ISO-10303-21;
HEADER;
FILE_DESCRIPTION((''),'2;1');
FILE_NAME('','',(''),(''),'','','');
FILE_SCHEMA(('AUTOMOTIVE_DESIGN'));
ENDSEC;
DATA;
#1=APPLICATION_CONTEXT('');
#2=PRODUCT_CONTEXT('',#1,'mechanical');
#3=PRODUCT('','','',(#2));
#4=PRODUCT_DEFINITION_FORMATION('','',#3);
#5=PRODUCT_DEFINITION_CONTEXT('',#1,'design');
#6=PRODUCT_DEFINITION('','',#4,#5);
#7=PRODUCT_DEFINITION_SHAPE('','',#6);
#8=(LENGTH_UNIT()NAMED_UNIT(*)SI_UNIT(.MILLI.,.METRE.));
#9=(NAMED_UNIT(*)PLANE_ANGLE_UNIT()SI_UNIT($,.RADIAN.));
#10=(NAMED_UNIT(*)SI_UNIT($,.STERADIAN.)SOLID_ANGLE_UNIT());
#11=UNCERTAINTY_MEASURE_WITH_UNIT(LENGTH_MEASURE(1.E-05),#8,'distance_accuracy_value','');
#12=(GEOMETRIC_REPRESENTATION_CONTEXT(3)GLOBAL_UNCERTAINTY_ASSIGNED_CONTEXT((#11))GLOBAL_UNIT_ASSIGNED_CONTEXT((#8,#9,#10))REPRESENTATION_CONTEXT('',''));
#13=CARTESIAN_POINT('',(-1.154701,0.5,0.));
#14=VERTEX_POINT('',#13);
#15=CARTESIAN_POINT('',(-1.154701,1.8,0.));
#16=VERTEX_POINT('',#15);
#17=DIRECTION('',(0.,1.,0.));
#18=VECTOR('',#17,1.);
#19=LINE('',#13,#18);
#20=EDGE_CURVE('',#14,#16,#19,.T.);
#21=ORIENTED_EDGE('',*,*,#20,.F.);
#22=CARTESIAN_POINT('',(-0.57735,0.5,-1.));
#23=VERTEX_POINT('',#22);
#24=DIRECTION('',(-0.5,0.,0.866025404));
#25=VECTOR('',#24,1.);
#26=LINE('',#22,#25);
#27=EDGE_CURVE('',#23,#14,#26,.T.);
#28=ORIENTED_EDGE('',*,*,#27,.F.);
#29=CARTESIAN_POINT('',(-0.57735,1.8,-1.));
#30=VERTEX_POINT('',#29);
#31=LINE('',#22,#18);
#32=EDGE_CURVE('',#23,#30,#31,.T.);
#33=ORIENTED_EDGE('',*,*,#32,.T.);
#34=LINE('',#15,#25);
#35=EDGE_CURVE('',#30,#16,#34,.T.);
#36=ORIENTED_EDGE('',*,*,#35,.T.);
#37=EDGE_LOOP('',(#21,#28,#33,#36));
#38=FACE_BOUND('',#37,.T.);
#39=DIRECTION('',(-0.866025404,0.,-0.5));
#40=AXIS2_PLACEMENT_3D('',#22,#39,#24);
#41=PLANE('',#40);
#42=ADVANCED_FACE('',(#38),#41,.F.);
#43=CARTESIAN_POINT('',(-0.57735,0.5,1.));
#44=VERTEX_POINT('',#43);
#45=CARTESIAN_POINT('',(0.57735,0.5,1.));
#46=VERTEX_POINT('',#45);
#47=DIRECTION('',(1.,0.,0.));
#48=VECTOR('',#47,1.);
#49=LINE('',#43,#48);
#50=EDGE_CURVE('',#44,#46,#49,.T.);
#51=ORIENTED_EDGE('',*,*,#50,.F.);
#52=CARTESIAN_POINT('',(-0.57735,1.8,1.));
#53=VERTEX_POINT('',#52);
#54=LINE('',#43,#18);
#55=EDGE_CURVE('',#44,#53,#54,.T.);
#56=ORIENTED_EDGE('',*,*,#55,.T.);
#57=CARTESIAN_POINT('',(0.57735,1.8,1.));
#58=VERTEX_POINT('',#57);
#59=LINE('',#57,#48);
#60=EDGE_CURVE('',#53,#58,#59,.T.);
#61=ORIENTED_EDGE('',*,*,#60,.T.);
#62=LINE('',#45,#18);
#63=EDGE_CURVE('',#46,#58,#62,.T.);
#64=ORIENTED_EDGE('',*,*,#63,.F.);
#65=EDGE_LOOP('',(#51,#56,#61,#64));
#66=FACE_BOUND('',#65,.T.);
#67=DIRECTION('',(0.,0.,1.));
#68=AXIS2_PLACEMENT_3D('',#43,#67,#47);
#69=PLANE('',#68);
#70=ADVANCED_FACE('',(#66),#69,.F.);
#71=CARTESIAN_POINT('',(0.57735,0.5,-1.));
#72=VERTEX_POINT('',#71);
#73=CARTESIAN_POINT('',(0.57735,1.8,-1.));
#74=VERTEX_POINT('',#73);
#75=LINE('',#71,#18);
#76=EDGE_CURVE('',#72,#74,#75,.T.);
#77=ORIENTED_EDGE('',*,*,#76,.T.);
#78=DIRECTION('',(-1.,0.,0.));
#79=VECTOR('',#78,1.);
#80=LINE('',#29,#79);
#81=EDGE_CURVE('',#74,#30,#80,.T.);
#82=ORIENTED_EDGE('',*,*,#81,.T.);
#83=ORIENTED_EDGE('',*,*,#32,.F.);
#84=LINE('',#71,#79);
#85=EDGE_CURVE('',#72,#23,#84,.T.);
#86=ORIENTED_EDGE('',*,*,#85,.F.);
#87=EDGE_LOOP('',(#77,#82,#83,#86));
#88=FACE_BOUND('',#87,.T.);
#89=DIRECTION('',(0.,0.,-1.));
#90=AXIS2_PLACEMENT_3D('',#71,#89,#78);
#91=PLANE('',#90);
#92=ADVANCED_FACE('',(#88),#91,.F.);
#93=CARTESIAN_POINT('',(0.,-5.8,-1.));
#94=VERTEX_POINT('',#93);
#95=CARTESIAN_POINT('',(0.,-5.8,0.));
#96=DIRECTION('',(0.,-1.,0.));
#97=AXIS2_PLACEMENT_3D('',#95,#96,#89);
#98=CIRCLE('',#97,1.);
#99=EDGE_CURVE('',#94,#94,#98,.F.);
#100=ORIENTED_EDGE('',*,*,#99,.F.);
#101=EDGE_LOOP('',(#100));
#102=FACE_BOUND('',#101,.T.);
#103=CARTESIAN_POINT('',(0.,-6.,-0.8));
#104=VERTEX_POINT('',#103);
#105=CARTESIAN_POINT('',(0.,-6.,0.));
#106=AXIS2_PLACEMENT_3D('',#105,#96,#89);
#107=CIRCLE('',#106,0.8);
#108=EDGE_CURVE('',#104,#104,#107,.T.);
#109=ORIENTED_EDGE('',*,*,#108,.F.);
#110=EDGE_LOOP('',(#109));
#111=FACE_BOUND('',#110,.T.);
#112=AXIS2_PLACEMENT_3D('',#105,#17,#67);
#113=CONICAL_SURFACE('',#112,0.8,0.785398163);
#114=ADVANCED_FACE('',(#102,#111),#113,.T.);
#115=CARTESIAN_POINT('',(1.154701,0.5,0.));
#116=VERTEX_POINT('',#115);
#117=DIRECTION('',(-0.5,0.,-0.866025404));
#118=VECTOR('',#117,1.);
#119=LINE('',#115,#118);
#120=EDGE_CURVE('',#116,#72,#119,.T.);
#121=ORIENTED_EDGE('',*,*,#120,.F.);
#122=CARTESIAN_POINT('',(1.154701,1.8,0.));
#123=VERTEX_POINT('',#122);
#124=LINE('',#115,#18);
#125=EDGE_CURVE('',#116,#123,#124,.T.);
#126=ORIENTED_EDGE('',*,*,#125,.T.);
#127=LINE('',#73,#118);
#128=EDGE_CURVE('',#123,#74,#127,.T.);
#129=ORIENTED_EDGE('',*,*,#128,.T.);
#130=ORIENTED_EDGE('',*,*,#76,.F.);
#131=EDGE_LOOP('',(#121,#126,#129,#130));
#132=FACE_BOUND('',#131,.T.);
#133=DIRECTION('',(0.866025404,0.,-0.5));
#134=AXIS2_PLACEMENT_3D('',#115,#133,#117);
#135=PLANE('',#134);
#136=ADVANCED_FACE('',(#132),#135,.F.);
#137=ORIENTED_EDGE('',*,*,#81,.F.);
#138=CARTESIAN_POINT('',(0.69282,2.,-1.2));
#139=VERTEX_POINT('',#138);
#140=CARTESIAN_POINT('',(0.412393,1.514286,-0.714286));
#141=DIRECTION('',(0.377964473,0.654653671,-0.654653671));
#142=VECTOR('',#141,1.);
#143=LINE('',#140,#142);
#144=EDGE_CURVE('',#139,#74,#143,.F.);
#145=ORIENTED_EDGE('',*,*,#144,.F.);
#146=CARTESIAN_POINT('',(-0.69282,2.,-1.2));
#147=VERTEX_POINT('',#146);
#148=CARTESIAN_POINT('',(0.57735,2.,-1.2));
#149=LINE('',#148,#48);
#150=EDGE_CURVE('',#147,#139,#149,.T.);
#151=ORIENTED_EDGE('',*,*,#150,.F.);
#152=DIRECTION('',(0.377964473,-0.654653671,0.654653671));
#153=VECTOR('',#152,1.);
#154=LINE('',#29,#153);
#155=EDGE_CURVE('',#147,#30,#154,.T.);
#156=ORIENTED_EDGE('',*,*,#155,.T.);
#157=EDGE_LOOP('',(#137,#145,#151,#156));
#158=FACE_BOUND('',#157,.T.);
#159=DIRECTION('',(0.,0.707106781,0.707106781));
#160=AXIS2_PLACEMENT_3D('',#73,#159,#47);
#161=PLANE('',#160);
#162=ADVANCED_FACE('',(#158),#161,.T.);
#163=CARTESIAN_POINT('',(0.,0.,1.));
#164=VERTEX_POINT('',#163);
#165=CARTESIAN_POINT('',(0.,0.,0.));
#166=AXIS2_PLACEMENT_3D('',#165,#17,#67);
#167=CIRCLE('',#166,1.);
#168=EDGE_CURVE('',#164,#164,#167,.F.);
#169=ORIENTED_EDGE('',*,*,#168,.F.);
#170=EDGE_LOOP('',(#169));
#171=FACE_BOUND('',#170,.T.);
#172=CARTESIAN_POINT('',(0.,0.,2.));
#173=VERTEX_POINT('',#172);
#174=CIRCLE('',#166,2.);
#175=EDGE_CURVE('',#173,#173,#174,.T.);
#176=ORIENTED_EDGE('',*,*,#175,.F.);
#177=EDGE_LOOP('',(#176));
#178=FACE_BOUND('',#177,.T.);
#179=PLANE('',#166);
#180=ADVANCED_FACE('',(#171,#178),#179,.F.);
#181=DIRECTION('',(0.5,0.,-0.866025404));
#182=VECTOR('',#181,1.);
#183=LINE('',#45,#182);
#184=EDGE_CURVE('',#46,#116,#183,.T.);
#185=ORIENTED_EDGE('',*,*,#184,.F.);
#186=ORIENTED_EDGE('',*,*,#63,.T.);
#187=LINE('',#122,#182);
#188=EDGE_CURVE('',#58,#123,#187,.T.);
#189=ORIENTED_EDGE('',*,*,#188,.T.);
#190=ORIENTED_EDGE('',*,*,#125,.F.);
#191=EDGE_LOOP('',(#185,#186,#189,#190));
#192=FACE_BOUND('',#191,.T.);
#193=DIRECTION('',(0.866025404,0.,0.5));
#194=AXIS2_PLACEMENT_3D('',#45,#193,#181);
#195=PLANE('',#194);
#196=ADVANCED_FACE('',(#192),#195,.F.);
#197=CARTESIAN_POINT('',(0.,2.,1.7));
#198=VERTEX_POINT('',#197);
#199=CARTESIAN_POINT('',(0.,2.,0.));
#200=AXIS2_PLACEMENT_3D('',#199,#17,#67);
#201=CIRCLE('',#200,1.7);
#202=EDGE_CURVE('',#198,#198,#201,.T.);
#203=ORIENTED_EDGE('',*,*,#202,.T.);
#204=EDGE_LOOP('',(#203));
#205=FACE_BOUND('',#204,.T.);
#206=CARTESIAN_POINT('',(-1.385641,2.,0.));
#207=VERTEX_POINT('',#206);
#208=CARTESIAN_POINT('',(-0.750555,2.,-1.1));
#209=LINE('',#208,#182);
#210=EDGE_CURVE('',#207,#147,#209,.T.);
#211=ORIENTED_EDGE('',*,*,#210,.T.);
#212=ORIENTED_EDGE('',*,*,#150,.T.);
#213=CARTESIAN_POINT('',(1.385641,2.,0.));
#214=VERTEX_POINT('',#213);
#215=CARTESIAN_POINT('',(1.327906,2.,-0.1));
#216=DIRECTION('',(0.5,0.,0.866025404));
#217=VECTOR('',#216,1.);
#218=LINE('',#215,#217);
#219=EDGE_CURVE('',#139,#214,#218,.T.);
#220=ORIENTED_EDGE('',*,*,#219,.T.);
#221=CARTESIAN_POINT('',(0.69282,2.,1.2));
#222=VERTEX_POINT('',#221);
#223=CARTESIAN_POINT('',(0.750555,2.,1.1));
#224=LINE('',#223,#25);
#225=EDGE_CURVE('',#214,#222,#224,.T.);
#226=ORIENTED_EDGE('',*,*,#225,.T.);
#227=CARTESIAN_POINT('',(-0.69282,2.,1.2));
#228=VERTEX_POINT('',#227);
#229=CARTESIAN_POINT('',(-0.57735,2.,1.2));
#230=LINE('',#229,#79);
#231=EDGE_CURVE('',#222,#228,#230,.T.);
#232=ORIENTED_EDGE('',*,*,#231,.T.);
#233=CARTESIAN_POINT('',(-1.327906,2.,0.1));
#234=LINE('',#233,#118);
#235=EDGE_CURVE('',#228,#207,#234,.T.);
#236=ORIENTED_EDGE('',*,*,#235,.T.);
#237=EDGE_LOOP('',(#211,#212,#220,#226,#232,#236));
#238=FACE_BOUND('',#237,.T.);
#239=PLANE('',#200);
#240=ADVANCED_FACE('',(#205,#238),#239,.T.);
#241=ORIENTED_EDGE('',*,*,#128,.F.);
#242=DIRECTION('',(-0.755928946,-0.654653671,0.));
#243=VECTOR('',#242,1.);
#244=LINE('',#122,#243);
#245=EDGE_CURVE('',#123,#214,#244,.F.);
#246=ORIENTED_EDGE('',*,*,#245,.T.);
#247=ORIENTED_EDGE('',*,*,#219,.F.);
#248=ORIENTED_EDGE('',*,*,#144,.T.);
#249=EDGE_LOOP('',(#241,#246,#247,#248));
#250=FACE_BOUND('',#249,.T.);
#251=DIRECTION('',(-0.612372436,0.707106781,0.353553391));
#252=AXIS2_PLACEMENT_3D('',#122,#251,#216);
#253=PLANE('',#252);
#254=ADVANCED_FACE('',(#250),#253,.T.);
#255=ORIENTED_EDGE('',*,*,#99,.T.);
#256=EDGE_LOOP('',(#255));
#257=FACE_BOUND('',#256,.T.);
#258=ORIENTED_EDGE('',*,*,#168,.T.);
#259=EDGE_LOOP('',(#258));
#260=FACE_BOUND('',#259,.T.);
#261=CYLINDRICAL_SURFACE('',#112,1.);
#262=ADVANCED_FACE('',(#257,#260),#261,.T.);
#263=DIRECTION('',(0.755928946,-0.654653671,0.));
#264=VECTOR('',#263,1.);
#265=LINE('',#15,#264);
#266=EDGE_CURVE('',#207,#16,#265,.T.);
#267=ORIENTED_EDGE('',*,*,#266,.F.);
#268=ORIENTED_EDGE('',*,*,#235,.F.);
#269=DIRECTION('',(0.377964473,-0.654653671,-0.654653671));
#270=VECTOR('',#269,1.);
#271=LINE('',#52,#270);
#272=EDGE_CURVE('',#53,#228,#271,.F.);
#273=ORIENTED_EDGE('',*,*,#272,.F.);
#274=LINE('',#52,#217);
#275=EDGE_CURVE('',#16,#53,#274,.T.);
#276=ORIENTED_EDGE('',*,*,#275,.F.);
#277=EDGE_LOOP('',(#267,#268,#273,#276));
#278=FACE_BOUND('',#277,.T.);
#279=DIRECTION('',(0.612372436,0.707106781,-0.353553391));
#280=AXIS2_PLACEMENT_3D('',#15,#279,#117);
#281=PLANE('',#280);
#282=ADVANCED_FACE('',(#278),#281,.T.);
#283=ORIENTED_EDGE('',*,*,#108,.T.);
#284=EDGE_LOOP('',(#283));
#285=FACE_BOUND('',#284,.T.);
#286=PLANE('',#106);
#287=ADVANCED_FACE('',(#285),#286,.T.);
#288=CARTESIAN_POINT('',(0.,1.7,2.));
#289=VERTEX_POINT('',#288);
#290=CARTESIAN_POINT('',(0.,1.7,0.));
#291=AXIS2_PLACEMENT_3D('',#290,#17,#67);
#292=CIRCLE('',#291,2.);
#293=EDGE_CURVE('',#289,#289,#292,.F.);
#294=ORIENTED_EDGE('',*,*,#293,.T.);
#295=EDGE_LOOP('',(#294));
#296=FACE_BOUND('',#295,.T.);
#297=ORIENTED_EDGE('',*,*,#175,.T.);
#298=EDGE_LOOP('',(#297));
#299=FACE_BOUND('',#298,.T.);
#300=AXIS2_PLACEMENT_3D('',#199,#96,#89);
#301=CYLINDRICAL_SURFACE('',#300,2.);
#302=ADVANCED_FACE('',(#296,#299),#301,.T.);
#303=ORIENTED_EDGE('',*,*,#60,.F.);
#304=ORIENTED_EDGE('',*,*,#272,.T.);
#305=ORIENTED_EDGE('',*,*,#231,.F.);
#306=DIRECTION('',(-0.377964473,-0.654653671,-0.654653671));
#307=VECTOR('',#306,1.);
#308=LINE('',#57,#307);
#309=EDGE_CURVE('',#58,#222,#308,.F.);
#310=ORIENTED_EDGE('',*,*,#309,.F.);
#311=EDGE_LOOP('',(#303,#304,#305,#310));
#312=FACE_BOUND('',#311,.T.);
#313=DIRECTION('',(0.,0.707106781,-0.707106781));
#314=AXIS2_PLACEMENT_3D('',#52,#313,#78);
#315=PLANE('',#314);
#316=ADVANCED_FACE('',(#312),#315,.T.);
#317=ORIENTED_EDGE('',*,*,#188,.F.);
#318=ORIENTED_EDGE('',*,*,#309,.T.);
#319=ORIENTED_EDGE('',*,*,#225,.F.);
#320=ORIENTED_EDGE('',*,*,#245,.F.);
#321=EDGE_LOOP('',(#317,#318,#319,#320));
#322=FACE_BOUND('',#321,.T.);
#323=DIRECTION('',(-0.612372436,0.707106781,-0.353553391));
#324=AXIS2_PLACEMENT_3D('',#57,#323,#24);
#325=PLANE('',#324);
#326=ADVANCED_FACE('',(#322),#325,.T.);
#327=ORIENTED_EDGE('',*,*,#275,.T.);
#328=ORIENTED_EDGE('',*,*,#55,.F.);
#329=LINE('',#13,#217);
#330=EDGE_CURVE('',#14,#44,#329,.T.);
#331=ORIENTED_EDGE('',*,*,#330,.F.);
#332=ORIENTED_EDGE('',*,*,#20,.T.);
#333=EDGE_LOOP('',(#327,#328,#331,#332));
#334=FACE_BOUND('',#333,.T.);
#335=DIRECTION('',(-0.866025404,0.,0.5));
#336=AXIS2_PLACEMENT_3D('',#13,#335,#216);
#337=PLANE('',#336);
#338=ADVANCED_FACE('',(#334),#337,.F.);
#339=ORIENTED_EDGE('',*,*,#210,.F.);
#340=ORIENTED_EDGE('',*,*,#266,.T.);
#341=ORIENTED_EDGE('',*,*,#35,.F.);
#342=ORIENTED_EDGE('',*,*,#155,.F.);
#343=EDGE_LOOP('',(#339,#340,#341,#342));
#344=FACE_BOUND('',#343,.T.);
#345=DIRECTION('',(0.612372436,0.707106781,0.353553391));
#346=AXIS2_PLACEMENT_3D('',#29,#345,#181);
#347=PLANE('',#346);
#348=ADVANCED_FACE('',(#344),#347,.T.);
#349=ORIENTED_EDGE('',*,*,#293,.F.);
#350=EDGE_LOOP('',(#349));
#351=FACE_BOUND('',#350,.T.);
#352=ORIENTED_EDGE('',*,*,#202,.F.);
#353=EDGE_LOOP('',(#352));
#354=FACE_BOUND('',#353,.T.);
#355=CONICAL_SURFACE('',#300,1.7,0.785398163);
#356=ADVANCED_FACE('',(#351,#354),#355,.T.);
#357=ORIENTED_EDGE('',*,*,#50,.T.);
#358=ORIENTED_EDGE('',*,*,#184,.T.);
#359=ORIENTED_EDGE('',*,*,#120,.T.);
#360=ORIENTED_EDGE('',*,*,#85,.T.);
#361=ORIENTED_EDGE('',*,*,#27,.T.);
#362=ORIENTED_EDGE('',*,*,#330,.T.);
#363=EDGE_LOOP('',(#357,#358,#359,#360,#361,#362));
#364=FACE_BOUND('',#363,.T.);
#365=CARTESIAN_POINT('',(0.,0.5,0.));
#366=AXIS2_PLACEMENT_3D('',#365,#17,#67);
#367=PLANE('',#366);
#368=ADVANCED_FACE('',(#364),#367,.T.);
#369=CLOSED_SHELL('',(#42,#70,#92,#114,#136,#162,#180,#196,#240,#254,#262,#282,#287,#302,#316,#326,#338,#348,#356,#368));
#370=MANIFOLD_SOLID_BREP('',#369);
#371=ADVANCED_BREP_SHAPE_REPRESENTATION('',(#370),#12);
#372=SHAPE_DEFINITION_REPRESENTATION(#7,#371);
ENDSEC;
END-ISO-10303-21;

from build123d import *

# Parameters (mm, degrees)
SKETCH1_R           = 2
BOSS_EXTRUDE1_DEPTH = 2
CHAMFER1_SIZE       = 0.3
CUT_EXTRUDE1_DEPTH  = 1.5
CHAMFER2_SIZE       = 0.2
SKETCH3_R           = 1
BOSS_EXTRUDE2_DEPTH = 6
CHAMFER3_SIZE       = 0.2


with BuildPart() as part:
    # Sketch1 → Boss-Extrude1 (new body)
    with BuildSketch(Plane(origin=(0, 0, 0), x_dir=(1, 0, 0), z_dir=(0, 1, 0))):
        with Locations(Location((0, 0, 0), (0, 0, 270))):  # turned: the seam where the file's is
            Circle(SKETCH1_R)
    extrude(amount=BOSS_EXTRUDE1_DEPTH)

    # Chamfer1
    chamfer1_edges = [part.edges().sort_by_distance(p)[0] for p in [
        (0, 2, -2),
    ]]
    chamfer(chamfer1_edges, length=CHAMFER1_SIZE)

    # Sketch2 → Cut-Extrude1 (cut)
    with BuildSketch(Plane(origin=(0, 2, 0), x_dir=(1, 0, 0), z_dir=(0, 1, 0))):
        Polygon((1.154700538, 0), (0.577350269, 1), (-0.577350269, 1), (-1.154700538, 0), (-0.577350269, -1), (0.577350269, -1), align=None)
    extrude(amount=-CUT_EXTRUDE1_DEPTH, mode=Mode.SUBTRACT)

    # Chamfer2
    chamfer2_edges = [part.edges().sort_by_distance(p)[0] for p in [
        (0.866025404, 2, 0.5),
        (0.866025404, 2, -0.5),
        (0, 2, -1),
        (-0.866025404, 2, -0.5),
        (-0.866025404, 2, 0.5),
        (0, 2, 1),
    ]]
    chamfer(chamfer2_edges, length=CHAMFER2_SIZE)

    # Sketch3 → Boss-Extrude2 (add)
    with BuildSketch(Plane.XZ):
        with Locations(Location((0, 0, 0), (0, 0, 90))):  # turned: the seam where the file's is
            Circle(SKETCH3_R)
    extrude(amount=BOSS_EXTRUDE2_DEPTH)

    # Chamfer3
    chamfer3_edges = [part.edges().sort_by_distance(p)[0] for p in [
        (0, -6, -1),
    ]]
    chamfer(chamfer3_edges, length=CHAMFER3_SIZE)


solid = part.part
